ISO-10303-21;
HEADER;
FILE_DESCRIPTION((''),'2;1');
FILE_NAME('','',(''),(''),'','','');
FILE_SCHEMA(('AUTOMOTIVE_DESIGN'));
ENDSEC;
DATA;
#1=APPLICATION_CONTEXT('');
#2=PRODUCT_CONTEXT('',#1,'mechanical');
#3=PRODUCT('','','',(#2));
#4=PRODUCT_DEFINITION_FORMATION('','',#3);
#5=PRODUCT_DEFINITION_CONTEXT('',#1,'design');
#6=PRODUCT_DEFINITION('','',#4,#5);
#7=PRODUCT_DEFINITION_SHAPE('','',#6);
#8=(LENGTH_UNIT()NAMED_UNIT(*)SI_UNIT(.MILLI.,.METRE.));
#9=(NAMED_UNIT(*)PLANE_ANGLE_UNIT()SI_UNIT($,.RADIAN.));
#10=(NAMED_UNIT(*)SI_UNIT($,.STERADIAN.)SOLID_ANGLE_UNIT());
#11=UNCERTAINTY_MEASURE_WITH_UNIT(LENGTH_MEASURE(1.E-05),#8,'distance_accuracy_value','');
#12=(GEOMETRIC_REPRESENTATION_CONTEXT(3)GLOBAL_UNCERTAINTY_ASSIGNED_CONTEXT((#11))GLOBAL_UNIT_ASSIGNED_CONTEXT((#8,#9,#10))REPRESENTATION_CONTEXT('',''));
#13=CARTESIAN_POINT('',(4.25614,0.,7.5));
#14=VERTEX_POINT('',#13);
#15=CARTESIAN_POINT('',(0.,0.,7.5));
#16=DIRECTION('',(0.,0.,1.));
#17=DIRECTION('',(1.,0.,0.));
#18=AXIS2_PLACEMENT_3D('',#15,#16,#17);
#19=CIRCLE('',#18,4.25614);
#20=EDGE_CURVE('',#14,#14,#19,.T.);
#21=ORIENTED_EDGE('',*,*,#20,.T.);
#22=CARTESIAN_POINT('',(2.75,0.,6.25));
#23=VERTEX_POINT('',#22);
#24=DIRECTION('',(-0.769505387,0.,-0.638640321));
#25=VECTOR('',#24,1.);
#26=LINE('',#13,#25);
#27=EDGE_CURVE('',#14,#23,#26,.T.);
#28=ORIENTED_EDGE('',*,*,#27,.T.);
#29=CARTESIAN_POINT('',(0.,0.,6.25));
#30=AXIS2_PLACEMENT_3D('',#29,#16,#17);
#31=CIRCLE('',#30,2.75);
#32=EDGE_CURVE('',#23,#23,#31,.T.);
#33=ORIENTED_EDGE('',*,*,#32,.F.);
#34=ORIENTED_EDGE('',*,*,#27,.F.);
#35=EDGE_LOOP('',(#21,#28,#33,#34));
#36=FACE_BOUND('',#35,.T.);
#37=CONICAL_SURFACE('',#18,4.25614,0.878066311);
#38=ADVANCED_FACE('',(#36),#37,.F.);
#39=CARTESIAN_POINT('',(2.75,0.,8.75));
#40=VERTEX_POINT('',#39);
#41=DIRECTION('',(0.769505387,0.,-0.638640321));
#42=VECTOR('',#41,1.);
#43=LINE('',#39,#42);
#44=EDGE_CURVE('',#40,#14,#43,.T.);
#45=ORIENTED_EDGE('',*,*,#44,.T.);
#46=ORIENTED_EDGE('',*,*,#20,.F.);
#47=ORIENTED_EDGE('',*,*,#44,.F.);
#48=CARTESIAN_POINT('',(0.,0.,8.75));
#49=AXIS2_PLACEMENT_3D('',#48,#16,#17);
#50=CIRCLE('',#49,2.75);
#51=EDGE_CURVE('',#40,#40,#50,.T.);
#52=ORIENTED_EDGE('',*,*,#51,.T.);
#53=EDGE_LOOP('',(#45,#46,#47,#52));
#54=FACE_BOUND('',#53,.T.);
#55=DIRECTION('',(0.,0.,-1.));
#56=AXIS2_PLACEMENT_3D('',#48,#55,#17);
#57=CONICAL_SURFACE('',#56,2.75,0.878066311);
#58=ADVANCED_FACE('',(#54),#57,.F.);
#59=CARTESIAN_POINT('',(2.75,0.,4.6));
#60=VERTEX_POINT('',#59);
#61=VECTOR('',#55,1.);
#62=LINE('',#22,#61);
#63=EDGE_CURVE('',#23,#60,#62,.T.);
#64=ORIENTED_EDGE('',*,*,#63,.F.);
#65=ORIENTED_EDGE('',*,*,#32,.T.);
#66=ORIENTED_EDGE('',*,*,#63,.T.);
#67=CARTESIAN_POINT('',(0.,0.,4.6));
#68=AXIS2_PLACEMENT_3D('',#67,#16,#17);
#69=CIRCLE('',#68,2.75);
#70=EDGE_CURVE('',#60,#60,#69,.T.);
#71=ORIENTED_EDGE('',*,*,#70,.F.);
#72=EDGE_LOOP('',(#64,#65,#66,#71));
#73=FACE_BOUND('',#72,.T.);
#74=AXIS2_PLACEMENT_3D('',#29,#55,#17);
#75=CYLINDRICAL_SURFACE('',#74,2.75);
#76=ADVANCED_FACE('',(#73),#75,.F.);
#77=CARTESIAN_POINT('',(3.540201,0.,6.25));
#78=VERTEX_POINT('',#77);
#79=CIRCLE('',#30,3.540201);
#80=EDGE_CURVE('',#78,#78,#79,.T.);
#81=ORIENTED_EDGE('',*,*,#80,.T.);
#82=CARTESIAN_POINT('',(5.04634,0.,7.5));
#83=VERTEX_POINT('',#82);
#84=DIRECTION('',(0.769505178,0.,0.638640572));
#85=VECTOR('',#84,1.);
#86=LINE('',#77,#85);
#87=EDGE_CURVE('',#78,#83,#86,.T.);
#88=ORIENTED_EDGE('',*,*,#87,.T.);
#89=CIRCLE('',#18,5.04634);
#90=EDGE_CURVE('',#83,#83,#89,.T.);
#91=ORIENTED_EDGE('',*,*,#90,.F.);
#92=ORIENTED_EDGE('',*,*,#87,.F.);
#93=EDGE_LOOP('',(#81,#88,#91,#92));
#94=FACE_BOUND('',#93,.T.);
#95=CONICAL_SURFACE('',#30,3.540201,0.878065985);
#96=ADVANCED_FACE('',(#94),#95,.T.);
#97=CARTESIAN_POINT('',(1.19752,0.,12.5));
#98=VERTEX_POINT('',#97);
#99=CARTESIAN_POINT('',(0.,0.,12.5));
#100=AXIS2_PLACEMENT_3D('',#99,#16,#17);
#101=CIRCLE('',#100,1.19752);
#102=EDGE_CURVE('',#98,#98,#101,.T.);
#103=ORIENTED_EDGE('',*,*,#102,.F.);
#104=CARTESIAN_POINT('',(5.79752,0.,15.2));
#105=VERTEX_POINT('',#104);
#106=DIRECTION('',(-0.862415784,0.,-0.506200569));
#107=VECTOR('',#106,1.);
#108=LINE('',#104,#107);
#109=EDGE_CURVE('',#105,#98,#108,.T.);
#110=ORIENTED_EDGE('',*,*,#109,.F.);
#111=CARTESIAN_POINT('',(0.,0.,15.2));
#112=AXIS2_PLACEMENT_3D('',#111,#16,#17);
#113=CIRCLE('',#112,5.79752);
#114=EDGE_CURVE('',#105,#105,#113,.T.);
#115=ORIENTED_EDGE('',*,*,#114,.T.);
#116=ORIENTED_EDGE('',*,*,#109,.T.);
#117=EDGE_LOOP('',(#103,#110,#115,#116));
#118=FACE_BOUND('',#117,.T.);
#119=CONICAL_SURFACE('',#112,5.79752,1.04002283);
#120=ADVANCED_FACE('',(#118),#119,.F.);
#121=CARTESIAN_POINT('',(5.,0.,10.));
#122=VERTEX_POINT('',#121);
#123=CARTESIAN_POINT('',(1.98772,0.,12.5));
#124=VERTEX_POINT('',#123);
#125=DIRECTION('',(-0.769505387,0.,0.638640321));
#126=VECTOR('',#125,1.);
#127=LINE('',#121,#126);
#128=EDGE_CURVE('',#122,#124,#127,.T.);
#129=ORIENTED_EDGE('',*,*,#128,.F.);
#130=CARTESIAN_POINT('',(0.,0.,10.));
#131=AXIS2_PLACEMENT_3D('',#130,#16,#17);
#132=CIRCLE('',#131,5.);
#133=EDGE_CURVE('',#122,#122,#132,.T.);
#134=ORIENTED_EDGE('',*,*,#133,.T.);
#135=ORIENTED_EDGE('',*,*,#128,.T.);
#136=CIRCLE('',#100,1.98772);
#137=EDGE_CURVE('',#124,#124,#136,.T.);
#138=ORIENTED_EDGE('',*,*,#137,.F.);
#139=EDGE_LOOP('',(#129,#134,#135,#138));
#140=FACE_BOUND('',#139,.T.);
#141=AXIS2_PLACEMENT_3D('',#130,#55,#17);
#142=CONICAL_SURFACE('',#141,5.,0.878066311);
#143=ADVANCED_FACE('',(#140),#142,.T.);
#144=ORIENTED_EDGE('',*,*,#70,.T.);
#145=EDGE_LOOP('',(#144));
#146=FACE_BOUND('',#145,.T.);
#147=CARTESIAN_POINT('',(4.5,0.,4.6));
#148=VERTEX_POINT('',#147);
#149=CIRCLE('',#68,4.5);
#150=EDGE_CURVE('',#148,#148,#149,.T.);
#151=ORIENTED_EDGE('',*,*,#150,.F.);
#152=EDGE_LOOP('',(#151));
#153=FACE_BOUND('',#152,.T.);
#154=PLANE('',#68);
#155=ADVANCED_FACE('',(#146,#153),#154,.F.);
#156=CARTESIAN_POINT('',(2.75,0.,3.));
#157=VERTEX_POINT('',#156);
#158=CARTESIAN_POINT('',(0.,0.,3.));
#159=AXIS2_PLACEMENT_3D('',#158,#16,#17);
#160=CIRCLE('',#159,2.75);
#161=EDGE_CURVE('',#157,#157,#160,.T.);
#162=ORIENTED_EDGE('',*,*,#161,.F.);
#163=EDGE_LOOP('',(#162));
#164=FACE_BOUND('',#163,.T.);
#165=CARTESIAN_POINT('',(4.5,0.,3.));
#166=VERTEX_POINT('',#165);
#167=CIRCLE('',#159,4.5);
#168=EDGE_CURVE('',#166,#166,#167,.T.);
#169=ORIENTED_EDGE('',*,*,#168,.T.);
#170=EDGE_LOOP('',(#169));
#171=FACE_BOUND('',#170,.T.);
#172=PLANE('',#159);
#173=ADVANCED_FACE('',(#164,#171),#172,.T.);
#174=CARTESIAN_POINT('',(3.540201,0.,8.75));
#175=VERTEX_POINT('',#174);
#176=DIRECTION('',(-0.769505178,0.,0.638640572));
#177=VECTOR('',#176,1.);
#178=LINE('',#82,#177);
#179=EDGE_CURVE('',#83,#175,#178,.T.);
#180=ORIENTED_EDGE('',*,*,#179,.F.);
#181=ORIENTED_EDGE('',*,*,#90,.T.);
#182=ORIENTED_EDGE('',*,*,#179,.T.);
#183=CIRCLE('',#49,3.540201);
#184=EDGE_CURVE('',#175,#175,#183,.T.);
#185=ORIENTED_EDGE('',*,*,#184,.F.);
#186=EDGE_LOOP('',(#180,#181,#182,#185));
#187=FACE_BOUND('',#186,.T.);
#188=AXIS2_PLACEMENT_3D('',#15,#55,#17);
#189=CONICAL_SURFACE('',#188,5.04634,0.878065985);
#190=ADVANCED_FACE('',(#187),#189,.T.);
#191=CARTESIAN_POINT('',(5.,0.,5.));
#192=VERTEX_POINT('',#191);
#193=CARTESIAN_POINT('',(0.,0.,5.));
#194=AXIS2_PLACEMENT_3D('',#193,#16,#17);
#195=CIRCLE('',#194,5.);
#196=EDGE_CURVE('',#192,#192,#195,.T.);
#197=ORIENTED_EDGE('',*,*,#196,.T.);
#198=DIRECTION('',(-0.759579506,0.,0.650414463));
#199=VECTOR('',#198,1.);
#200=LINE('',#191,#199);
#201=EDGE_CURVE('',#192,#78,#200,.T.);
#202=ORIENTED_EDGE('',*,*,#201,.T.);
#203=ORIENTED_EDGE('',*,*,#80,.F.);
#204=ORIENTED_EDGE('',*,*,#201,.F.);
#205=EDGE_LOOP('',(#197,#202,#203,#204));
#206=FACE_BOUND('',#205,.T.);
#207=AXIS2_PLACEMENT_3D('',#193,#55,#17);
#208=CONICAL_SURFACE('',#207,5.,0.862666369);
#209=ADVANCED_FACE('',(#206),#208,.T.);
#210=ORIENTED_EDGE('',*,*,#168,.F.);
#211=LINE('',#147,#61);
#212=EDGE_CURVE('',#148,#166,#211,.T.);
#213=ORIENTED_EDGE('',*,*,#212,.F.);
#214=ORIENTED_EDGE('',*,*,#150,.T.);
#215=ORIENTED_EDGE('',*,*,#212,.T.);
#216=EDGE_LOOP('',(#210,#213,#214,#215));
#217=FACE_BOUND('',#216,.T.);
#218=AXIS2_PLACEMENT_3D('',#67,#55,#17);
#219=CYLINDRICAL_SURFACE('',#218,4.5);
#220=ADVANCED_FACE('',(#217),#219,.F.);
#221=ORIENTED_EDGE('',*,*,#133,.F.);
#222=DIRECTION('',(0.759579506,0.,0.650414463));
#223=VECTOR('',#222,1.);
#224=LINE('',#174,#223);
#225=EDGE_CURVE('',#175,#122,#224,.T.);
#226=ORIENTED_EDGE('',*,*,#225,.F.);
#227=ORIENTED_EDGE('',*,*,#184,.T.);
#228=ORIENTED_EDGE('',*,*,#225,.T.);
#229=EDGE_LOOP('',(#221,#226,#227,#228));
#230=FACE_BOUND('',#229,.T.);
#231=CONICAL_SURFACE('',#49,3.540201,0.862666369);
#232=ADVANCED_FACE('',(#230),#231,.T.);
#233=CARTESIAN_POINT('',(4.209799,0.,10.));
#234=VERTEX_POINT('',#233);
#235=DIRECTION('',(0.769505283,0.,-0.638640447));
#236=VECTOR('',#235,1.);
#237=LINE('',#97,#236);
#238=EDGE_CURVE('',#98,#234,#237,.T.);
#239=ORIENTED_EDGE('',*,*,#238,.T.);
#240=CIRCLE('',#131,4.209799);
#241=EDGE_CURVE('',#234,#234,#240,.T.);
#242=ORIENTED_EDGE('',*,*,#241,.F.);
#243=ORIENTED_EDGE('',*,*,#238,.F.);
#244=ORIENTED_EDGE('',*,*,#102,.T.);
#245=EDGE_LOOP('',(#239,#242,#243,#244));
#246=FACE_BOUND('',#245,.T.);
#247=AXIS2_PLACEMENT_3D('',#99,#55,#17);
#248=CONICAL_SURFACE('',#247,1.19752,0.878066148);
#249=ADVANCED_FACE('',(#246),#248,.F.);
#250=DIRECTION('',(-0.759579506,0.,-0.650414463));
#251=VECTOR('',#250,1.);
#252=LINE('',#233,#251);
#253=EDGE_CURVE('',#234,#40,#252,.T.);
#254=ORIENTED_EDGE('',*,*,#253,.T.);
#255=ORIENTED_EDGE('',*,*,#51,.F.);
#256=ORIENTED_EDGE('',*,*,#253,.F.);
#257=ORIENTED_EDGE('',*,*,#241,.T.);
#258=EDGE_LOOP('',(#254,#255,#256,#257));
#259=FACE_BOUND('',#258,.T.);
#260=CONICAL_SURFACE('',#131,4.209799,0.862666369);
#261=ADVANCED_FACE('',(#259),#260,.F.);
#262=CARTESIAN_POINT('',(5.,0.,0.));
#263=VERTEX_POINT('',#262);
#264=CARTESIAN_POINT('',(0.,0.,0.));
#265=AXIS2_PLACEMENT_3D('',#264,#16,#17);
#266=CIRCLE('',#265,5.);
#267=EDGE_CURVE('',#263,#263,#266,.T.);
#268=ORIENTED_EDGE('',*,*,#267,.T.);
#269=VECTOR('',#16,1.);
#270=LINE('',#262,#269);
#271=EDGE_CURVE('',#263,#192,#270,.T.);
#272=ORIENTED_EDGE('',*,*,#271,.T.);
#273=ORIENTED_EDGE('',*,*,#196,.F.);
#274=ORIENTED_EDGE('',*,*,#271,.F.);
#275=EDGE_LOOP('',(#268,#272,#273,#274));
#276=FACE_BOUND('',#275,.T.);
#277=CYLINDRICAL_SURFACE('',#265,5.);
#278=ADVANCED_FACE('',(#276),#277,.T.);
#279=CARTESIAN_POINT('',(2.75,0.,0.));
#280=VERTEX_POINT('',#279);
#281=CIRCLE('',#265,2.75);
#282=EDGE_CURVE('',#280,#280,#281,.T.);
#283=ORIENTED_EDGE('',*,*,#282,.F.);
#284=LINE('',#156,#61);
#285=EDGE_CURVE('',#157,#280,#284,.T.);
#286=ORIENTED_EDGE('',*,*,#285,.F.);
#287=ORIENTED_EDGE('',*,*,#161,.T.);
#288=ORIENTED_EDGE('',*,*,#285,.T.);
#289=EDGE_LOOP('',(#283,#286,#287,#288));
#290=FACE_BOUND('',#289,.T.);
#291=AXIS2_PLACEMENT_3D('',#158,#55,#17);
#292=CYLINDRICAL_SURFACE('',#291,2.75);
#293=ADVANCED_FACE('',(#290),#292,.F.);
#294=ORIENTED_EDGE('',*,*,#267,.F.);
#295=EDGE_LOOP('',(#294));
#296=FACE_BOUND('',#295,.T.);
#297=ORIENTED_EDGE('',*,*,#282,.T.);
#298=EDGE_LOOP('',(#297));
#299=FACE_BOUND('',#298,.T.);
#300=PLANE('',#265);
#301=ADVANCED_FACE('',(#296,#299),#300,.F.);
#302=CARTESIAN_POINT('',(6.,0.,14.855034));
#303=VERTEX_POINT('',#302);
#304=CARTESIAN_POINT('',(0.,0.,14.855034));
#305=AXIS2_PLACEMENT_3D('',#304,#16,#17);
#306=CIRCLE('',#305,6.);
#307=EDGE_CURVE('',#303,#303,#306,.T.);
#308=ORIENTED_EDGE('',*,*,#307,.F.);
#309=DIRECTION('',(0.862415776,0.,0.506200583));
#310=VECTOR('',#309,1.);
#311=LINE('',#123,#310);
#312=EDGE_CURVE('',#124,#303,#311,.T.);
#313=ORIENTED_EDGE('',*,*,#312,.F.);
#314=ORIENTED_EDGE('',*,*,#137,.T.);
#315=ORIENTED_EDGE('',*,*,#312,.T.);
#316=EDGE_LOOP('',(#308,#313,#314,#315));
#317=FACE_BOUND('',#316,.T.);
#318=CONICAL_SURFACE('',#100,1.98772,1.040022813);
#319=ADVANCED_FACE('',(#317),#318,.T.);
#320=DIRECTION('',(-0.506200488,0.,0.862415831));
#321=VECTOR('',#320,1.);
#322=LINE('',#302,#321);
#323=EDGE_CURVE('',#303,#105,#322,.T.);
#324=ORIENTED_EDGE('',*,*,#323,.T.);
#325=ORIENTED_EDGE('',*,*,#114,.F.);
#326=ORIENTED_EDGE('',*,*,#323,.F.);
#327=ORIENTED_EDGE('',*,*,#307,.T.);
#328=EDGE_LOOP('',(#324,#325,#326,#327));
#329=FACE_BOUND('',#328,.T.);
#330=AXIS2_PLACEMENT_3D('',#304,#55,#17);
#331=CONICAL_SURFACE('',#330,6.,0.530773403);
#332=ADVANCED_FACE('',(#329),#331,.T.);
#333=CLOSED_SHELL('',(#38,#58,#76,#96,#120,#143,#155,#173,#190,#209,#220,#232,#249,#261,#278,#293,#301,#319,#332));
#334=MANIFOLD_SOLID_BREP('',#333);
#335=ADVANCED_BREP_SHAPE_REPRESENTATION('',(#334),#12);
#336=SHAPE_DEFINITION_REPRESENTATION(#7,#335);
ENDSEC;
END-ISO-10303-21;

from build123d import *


with BuildPart() as f1:
    # F0 (on Front) → F1 (revolve)
    with BuildSketch(Plane.XZ):
        Polygon((2.75, 3), (2.75, 0), (5, 0), (5, 5), (3.540201, 6.25), (5.04634, 7.5), (3.540201, 8.75), (5, 10), (1.98772, 12.5), (6, 14.855034), (5.79752, 15.2), (1.19752, 12.5), (4.209799, 10), (2.75, 8.75), (4.25614, 7.5), (2.75, 6.25), (2.75, 4.6), (4.5, 4.6), (4.5, 3), align=None)
    revolve(axis=Axis((0, 0, 4.676475), (0, 0, 1)))


solid = f1.part
